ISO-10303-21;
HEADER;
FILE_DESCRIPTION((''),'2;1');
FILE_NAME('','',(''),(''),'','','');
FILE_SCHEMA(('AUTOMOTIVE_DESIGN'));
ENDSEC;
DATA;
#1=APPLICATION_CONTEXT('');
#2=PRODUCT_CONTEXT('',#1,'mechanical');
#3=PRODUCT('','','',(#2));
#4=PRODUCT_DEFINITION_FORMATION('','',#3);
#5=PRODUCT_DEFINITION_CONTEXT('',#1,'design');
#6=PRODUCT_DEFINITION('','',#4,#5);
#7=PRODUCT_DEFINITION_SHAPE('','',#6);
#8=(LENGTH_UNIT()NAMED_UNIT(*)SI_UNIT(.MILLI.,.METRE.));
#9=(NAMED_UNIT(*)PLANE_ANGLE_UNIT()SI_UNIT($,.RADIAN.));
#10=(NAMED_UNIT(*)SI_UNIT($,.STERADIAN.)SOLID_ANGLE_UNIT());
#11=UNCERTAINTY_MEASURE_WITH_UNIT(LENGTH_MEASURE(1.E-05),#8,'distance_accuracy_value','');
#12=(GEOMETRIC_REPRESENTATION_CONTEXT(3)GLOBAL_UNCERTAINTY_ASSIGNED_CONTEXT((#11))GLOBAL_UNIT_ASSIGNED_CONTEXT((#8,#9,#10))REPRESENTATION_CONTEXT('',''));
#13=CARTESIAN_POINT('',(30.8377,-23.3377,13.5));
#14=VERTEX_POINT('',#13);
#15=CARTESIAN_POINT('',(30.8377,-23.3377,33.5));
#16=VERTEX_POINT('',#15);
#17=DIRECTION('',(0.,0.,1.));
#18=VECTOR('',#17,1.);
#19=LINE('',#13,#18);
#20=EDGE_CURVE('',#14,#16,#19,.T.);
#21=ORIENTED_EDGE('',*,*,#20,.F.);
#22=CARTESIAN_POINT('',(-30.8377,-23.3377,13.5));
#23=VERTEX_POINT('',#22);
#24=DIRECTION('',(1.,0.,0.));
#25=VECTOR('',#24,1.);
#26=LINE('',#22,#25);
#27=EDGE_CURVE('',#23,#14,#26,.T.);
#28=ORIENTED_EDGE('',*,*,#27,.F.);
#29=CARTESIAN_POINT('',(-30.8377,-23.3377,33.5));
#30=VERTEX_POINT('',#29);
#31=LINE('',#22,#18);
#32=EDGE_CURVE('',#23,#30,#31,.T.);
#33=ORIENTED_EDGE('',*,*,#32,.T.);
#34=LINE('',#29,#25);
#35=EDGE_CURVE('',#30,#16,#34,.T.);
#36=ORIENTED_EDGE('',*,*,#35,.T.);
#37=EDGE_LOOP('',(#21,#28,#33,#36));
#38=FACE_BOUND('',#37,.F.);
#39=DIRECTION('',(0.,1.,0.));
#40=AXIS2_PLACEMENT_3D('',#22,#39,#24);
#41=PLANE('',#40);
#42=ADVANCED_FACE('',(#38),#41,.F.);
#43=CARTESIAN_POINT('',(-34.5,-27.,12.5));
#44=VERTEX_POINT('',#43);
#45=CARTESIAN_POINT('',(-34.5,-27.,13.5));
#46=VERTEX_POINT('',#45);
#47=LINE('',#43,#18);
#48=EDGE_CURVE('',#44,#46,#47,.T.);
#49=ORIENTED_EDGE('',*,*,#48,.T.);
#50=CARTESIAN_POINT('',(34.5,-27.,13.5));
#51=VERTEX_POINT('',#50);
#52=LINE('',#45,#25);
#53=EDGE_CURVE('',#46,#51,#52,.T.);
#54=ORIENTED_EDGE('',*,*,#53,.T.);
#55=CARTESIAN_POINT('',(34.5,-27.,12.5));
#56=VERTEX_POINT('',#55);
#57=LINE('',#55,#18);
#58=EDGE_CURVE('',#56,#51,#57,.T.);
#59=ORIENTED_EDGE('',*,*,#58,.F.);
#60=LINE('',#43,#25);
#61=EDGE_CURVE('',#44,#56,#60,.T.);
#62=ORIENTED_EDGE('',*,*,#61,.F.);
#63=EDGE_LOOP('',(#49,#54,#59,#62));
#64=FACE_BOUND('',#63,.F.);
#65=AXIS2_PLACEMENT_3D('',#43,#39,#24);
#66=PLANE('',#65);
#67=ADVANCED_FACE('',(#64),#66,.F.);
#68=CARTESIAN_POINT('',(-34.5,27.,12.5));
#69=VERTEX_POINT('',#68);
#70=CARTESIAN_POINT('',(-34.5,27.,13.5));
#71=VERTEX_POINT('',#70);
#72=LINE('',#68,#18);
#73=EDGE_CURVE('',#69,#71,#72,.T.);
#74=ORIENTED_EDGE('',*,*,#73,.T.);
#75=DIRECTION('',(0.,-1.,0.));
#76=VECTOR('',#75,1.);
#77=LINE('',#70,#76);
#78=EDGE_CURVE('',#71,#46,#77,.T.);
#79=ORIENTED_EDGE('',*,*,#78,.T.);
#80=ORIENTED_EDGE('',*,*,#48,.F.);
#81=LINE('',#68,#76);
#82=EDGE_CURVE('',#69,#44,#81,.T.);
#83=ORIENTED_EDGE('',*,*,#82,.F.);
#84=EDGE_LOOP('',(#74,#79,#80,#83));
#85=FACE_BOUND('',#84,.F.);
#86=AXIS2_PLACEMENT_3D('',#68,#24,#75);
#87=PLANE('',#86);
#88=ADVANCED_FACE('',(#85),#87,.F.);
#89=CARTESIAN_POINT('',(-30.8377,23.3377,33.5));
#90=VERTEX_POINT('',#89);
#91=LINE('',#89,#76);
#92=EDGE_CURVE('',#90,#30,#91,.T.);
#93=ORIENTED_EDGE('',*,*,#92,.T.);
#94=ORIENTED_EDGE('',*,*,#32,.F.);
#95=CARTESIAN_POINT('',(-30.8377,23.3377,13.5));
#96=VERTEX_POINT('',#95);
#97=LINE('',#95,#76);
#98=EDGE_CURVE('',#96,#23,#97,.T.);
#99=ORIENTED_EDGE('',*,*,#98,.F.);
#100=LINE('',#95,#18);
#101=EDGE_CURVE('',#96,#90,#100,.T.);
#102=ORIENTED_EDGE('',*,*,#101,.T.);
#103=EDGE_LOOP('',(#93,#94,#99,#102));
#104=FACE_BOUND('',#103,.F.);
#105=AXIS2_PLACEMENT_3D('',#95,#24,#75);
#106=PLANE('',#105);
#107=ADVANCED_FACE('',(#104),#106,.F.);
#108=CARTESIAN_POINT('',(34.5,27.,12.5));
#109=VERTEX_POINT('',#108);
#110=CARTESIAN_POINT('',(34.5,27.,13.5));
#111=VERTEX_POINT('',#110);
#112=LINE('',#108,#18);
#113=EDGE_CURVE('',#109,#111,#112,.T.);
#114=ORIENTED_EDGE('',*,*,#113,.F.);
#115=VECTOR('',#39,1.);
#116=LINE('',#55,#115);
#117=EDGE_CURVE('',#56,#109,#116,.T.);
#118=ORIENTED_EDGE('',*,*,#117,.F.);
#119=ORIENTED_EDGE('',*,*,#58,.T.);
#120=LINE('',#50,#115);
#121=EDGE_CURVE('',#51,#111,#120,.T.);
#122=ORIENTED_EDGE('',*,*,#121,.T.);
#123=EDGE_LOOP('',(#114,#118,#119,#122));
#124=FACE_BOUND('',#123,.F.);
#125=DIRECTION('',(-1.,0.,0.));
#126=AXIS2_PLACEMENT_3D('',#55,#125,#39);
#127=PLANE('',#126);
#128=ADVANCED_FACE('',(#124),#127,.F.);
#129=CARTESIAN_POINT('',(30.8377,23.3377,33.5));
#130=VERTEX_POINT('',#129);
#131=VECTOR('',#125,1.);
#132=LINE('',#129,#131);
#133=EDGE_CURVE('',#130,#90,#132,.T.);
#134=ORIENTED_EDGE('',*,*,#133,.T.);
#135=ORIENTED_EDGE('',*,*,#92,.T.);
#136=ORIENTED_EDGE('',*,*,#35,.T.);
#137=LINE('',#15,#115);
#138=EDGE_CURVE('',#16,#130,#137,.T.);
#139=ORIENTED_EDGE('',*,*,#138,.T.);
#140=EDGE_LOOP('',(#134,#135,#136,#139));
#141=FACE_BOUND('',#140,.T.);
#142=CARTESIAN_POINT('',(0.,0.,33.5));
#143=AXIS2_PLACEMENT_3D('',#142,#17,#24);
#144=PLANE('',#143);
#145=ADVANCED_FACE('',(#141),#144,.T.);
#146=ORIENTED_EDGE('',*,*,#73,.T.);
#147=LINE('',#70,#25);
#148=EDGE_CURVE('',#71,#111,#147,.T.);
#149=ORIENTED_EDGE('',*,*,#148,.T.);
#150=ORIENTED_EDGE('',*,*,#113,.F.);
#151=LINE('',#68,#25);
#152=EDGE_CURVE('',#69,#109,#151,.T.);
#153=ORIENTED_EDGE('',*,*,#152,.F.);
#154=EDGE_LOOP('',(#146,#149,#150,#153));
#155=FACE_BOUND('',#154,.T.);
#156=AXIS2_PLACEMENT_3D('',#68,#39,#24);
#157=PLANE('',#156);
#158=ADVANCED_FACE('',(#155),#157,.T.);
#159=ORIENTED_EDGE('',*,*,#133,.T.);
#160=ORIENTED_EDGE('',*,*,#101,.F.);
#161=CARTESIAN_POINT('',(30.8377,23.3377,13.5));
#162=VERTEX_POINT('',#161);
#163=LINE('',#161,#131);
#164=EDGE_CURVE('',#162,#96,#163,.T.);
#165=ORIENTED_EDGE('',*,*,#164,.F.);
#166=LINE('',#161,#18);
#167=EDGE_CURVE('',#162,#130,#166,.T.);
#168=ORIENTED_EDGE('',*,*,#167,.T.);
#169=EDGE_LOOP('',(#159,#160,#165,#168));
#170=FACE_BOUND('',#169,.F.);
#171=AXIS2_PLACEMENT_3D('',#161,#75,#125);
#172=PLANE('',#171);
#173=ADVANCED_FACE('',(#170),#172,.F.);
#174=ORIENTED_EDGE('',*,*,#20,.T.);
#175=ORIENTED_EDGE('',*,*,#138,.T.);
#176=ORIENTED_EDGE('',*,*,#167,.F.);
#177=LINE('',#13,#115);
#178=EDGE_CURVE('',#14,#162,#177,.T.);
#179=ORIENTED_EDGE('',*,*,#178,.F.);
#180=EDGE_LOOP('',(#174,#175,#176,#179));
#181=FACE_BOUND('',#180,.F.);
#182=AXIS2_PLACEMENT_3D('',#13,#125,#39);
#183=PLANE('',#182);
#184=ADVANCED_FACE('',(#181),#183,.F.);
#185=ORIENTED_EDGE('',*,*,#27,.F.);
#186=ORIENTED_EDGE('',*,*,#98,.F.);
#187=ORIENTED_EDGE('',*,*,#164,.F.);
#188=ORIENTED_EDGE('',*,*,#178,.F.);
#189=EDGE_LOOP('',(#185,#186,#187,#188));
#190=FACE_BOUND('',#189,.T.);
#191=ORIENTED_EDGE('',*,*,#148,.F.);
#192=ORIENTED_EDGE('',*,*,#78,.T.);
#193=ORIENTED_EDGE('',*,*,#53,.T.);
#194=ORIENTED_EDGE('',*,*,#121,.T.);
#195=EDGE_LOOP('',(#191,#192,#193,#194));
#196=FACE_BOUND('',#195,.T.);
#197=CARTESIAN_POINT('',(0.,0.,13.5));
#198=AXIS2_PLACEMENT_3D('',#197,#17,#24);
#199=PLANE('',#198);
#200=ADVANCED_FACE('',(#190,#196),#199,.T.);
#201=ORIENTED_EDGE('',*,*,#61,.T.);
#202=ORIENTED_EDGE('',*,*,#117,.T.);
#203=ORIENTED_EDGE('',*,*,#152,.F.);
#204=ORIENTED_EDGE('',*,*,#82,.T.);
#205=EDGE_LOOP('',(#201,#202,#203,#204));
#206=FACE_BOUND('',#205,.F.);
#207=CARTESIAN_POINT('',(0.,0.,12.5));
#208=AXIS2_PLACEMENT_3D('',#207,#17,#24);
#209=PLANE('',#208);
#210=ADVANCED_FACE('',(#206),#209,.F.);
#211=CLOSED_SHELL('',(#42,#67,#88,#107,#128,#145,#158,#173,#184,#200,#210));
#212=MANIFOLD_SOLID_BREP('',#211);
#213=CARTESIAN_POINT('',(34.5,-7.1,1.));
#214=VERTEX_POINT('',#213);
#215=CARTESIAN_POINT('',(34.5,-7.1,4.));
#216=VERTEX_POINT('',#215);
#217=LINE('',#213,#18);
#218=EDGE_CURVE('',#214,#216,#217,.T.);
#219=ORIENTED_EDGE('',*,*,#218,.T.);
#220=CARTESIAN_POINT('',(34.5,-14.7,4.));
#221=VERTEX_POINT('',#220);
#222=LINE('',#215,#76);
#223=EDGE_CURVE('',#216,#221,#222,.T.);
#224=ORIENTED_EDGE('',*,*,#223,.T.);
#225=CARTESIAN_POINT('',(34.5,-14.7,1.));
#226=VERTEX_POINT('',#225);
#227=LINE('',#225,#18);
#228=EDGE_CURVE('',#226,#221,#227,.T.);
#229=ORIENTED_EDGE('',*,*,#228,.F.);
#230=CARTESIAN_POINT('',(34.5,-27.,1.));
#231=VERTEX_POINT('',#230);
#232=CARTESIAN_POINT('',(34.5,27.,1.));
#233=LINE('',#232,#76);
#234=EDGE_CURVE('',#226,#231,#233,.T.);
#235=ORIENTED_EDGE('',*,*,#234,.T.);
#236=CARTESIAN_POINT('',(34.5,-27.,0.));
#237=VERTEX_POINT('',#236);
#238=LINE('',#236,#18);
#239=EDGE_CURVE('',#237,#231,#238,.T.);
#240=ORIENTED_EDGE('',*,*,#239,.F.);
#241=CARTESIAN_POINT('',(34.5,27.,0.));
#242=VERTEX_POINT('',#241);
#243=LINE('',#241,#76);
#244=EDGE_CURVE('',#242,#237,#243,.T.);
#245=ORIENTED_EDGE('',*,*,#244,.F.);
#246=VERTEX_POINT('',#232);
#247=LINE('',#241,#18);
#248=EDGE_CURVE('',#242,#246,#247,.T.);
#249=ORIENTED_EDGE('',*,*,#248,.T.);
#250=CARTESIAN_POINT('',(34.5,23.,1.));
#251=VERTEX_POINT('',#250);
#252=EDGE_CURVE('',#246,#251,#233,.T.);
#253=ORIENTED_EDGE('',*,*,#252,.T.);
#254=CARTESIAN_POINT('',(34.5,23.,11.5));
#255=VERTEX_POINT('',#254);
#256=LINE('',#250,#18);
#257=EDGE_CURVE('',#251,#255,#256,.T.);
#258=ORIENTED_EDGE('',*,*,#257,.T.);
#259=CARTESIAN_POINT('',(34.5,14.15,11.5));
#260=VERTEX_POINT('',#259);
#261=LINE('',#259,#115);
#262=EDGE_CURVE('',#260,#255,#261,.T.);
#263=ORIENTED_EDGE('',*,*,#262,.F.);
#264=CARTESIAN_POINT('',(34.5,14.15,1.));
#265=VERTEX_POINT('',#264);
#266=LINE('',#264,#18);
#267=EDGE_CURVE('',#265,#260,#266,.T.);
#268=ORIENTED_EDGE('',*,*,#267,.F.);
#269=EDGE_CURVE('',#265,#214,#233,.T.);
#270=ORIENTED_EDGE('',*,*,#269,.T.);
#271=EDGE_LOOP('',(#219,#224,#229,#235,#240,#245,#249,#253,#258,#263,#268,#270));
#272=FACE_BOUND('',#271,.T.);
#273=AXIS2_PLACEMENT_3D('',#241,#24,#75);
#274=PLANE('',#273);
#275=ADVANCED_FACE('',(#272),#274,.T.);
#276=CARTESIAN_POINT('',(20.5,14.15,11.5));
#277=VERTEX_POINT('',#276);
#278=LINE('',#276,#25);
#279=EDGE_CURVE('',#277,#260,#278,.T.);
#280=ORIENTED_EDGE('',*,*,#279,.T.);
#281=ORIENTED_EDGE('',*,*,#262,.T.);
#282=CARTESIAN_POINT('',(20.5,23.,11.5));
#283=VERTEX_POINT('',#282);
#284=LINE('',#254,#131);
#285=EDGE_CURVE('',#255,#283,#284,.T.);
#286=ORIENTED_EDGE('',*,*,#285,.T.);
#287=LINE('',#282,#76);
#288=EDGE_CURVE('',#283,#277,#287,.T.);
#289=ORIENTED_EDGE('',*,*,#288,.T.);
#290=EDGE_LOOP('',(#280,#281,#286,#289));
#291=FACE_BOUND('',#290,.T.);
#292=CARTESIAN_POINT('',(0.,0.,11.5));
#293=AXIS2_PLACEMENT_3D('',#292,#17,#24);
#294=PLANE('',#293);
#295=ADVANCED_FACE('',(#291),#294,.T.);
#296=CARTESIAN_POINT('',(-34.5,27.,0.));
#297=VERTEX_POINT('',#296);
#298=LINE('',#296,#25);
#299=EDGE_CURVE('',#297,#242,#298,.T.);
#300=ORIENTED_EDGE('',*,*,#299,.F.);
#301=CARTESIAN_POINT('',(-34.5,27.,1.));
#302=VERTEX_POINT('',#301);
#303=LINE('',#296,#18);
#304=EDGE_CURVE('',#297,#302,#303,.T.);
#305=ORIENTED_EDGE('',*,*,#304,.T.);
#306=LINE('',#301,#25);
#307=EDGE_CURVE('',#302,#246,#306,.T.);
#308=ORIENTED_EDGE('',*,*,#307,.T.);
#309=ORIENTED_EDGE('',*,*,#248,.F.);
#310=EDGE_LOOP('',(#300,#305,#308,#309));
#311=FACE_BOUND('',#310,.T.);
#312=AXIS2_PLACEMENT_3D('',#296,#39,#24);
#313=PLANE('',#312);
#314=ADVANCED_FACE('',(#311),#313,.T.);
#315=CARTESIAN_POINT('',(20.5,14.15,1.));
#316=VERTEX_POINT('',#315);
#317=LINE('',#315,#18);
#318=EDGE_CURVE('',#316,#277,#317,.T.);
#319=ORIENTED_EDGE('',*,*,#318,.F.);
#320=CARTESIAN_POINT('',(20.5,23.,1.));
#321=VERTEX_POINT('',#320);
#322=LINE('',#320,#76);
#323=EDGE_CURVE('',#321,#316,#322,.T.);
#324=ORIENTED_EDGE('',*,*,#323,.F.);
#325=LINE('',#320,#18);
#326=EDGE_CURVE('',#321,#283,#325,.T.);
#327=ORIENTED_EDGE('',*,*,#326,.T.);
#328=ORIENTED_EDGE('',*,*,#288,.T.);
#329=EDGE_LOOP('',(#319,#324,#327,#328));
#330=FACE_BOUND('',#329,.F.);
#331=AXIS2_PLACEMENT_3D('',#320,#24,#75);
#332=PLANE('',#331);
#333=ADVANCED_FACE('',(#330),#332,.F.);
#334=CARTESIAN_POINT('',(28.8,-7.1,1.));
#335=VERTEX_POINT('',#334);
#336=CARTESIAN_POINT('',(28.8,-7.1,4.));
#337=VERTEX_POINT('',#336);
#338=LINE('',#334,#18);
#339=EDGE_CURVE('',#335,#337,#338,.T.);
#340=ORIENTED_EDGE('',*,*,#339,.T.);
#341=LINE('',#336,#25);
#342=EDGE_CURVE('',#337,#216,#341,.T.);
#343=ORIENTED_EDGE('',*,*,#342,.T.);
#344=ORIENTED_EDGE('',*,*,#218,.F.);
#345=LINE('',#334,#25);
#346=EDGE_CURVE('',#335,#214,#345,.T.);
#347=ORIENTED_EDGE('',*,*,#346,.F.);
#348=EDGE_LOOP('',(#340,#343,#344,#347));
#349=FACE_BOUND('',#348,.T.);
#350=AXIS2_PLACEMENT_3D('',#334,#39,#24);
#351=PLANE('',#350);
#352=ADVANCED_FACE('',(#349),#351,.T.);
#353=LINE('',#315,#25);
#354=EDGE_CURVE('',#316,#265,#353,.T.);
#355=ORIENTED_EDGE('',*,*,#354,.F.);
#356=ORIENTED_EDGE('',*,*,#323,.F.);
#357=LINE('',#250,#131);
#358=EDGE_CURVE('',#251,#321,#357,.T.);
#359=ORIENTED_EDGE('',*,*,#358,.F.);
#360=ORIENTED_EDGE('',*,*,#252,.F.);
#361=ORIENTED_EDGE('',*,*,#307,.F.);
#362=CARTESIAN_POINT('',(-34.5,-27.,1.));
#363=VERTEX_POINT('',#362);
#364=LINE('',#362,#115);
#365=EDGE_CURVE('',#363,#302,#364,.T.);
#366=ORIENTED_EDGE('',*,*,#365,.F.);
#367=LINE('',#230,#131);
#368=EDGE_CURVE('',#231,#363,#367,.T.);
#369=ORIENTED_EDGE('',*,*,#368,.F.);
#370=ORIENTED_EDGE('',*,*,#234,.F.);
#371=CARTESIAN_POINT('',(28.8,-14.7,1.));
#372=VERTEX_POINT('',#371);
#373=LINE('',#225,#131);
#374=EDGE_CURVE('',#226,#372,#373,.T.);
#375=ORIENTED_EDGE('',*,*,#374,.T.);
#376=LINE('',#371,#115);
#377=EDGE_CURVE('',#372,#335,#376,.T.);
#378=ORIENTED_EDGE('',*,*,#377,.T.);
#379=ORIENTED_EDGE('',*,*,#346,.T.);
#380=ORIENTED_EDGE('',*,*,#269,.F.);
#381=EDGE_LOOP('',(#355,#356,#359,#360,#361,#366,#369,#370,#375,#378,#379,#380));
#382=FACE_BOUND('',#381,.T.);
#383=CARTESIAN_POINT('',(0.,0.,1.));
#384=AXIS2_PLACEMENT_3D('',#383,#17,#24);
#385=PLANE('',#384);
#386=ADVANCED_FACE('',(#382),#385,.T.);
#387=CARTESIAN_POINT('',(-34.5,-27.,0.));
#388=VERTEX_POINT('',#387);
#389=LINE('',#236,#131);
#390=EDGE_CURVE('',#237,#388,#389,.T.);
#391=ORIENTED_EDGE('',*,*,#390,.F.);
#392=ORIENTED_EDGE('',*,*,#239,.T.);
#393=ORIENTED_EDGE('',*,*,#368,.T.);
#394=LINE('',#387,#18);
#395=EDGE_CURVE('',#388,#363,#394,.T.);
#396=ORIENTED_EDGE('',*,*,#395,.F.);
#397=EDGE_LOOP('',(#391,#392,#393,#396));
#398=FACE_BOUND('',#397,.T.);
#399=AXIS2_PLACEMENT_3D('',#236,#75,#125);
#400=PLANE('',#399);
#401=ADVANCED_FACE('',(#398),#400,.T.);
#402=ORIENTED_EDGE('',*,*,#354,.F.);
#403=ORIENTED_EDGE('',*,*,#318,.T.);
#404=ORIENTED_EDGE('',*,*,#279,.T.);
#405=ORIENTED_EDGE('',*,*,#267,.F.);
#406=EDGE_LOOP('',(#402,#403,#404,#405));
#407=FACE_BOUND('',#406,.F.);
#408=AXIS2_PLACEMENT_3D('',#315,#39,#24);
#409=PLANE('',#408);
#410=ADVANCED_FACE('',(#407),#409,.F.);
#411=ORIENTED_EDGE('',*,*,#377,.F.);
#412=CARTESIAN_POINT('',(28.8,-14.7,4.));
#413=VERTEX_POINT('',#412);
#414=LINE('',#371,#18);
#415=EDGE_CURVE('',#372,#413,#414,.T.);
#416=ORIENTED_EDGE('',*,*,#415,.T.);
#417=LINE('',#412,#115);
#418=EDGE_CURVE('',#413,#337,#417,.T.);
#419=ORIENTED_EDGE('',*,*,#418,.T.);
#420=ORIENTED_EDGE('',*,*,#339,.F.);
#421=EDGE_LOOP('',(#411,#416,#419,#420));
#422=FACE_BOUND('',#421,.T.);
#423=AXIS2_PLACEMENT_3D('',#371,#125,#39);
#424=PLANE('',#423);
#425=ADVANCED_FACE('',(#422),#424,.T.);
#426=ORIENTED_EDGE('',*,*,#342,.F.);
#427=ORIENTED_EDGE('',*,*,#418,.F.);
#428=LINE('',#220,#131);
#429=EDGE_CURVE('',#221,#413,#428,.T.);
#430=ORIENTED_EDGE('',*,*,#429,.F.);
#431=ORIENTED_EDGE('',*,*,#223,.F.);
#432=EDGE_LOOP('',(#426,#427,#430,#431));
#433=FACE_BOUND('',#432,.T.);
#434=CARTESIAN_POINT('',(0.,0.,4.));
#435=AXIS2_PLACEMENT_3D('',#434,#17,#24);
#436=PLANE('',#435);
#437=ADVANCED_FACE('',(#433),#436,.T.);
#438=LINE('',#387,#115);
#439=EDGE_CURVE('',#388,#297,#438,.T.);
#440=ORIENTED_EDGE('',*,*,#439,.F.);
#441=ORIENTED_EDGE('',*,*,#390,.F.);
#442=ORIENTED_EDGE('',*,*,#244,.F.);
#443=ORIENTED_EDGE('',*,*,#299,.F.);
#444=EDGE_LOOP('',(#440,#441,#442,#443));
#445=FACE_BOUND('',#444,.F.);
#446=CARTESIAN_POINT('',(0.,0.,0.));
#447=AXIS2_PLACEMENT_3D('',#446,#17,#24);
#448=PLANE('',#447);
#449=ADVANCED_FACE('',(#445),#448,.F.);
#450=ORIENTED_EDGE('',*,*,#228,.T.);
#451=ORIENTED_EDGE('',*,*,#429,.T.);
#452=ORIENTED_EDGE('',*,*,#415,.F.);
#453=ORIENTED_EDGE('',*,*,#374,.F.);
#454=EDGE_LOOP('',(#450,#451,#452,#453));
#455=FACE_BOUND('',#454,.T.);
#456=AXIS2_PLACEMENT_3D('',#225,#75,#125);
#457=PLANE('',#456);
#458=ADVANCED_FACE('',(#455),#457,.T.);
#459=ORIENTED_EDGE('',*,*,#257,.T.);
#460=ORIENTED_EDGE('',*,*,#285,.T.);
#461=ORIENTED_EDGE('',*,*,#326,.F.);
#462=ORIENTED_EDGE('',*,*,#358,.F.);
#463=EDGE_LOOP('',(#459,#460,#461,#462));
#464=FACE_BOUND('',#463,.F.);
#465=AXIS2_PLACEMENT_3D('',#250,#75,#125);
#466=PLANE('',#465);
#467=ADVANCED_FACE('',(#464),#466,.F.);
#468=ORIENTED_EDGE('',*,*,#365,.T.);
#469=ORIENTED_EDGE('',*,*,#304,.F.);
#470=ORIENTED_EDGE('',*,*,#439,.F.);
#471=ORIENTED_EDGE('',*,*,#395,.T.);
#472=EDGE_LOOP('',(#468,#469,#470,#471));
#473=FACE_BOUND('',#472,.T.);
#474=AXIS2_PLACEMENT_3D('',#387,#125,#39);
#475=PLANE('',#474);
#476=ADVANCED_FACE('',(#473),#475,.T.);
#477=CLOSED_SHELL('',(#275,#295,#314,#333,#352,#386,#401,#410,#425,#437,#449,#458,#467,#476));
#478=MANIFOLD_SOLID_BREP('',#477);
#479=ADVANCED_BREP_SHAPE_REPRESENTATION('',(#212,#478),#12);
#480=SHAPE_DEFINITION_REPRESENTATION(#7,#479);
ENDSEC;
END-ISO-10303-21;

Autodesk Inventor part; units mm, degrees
ref_plane "YZ Plane" through (0, 0, 0) normal (1, 0, 0) x (0, 1, 0)
ref_plane "XZ Plane" through (0, 0, 0) normal (0, 1, 0) x (-1, 0, 0)
ref_plane "XY Plane" through (0, 0, 0) normal (0, 0, 1) x (1, 0, 0)
sketch "Sketch1" plane through (0, 0, 0) normal (0, 0, 1) x (1, 0, 0)
  line L0 (-34.5, 27) -> (34.5, 27)
  line L1 (34.5, 27) -> (34.5, -27)
  line L2 (34.5, -27) -> (-34.5, -27)
  line L3 (-34.5, -27) -> (-34.5, 27)
  line L4 (-34.5, 27) -> (34.5, -27) construction
  line L5 (34.5, 27) -> (-34.5, -27) construction
  point P0 (0, 0)
  dimension "d0" = 69
  dimension "d1" = 54
extrude "Extrusion1" add sketch "Sketch1" along normal blind 1
sketch "Sketch2" plane through (0, 0, 1) normal (0, 0, 1) x (1, 0, 0)
  line L0 (34.5, 23) -> (20.5, 23)
  line L1 (20.5, 23) -> (20.5, 14.15)
  line L2 (20.5, 14.15) -> (34.5, 14.15)
  line L3 (34.5, 14.15) -> (34.5, 23)
  line L4 (28.8, -7.1) -> (34.5, -7.1)
  line L5 (34.5, -7.1) -> (34.5, -14.7)
  line L6 (34.5, -14.7) -> (28.8, -14.7)
  line L7 (28.8, -14.7) -> (28.8, -7.1)
  line L8 (34.5, -27) -> (34.5, 27) projected
  line L9 (34.5, 27) -> (-34.5, 27) projected
  line L10 (-34.5, -27) -> (34.5, -27) projected
  point P0 (0, 0)
  dimension "d4" = 8.85
  dimension "d5" = 14
  dimension "d6" = 4
  dimension "d7" = 7.6
  dimension "d8" = 5.7
  dimension "d9" = 12.3
extrude "Extrusion2" add sketch "Sketch2" along normal blind 10.5 contours L3 L2 L1 L0
extrude "Extrusion3" add sketch "Sketch2" along normal blind 3 contours L5 L6 L7 L4
ref_plane "Work Plane1" through (0, 0, 12.5) normal (0, 0, 1) x (1, 0, 0)
sketch "Sketch3" plane through (0, 0, 12.5) normal (0, 0, 1) x (1, 0, 0)
  line L0 (-34.5, 27) -> (34.5, 27) projected
  line L1 (-34.5, -27) -> (34.5, -27) projected
  line L2 (34.5, 27) -> (-34.5, 27)
  line L3 (-34.5, 27) -> (-34.5, -27)
  line L4 (-34.5, -27) -> (34.5, -27)
  line L5 (34.5, -27) -> (34.5, 27)
  point P0 (0, 0)
extrude "Extrusion4" add sketch "Sketch3" along normal blind 1
sketch "Sketch4" plane through (0, 0, 13.5) normal (0, 0, 1) x (1, 0, 0)
  line L0 (-34.5, -27) -> (34.5, -27) projected
  line L1 (34.5, 27) -> (-34.5, 27)
  line L2 (-34.5, 27) -> (-34.5, -27)
  line L3 (-34.5, -27) -> (34.5, -27)
  line L4 (34.5, -27) -> (34.5, 27)
  line L5 (30.8377, 23.3377) -> (-30.8377, 23.3377)
  line L6 (-30.8377, 23.3377) -> (-30.8377, -23.3377)
  line L7 (-30.8377, -23.3377) -> (30.8377, -23.3377)
  line L8 (30.8377, -23.3377) -> (30.8377, 23.3377)
  point P0 (0, 0)
extrude "Extrusion5" add sketch "Sketch4" along normal blind 20 contours L8 L7 L6 L5
properties part number "Arduino"
